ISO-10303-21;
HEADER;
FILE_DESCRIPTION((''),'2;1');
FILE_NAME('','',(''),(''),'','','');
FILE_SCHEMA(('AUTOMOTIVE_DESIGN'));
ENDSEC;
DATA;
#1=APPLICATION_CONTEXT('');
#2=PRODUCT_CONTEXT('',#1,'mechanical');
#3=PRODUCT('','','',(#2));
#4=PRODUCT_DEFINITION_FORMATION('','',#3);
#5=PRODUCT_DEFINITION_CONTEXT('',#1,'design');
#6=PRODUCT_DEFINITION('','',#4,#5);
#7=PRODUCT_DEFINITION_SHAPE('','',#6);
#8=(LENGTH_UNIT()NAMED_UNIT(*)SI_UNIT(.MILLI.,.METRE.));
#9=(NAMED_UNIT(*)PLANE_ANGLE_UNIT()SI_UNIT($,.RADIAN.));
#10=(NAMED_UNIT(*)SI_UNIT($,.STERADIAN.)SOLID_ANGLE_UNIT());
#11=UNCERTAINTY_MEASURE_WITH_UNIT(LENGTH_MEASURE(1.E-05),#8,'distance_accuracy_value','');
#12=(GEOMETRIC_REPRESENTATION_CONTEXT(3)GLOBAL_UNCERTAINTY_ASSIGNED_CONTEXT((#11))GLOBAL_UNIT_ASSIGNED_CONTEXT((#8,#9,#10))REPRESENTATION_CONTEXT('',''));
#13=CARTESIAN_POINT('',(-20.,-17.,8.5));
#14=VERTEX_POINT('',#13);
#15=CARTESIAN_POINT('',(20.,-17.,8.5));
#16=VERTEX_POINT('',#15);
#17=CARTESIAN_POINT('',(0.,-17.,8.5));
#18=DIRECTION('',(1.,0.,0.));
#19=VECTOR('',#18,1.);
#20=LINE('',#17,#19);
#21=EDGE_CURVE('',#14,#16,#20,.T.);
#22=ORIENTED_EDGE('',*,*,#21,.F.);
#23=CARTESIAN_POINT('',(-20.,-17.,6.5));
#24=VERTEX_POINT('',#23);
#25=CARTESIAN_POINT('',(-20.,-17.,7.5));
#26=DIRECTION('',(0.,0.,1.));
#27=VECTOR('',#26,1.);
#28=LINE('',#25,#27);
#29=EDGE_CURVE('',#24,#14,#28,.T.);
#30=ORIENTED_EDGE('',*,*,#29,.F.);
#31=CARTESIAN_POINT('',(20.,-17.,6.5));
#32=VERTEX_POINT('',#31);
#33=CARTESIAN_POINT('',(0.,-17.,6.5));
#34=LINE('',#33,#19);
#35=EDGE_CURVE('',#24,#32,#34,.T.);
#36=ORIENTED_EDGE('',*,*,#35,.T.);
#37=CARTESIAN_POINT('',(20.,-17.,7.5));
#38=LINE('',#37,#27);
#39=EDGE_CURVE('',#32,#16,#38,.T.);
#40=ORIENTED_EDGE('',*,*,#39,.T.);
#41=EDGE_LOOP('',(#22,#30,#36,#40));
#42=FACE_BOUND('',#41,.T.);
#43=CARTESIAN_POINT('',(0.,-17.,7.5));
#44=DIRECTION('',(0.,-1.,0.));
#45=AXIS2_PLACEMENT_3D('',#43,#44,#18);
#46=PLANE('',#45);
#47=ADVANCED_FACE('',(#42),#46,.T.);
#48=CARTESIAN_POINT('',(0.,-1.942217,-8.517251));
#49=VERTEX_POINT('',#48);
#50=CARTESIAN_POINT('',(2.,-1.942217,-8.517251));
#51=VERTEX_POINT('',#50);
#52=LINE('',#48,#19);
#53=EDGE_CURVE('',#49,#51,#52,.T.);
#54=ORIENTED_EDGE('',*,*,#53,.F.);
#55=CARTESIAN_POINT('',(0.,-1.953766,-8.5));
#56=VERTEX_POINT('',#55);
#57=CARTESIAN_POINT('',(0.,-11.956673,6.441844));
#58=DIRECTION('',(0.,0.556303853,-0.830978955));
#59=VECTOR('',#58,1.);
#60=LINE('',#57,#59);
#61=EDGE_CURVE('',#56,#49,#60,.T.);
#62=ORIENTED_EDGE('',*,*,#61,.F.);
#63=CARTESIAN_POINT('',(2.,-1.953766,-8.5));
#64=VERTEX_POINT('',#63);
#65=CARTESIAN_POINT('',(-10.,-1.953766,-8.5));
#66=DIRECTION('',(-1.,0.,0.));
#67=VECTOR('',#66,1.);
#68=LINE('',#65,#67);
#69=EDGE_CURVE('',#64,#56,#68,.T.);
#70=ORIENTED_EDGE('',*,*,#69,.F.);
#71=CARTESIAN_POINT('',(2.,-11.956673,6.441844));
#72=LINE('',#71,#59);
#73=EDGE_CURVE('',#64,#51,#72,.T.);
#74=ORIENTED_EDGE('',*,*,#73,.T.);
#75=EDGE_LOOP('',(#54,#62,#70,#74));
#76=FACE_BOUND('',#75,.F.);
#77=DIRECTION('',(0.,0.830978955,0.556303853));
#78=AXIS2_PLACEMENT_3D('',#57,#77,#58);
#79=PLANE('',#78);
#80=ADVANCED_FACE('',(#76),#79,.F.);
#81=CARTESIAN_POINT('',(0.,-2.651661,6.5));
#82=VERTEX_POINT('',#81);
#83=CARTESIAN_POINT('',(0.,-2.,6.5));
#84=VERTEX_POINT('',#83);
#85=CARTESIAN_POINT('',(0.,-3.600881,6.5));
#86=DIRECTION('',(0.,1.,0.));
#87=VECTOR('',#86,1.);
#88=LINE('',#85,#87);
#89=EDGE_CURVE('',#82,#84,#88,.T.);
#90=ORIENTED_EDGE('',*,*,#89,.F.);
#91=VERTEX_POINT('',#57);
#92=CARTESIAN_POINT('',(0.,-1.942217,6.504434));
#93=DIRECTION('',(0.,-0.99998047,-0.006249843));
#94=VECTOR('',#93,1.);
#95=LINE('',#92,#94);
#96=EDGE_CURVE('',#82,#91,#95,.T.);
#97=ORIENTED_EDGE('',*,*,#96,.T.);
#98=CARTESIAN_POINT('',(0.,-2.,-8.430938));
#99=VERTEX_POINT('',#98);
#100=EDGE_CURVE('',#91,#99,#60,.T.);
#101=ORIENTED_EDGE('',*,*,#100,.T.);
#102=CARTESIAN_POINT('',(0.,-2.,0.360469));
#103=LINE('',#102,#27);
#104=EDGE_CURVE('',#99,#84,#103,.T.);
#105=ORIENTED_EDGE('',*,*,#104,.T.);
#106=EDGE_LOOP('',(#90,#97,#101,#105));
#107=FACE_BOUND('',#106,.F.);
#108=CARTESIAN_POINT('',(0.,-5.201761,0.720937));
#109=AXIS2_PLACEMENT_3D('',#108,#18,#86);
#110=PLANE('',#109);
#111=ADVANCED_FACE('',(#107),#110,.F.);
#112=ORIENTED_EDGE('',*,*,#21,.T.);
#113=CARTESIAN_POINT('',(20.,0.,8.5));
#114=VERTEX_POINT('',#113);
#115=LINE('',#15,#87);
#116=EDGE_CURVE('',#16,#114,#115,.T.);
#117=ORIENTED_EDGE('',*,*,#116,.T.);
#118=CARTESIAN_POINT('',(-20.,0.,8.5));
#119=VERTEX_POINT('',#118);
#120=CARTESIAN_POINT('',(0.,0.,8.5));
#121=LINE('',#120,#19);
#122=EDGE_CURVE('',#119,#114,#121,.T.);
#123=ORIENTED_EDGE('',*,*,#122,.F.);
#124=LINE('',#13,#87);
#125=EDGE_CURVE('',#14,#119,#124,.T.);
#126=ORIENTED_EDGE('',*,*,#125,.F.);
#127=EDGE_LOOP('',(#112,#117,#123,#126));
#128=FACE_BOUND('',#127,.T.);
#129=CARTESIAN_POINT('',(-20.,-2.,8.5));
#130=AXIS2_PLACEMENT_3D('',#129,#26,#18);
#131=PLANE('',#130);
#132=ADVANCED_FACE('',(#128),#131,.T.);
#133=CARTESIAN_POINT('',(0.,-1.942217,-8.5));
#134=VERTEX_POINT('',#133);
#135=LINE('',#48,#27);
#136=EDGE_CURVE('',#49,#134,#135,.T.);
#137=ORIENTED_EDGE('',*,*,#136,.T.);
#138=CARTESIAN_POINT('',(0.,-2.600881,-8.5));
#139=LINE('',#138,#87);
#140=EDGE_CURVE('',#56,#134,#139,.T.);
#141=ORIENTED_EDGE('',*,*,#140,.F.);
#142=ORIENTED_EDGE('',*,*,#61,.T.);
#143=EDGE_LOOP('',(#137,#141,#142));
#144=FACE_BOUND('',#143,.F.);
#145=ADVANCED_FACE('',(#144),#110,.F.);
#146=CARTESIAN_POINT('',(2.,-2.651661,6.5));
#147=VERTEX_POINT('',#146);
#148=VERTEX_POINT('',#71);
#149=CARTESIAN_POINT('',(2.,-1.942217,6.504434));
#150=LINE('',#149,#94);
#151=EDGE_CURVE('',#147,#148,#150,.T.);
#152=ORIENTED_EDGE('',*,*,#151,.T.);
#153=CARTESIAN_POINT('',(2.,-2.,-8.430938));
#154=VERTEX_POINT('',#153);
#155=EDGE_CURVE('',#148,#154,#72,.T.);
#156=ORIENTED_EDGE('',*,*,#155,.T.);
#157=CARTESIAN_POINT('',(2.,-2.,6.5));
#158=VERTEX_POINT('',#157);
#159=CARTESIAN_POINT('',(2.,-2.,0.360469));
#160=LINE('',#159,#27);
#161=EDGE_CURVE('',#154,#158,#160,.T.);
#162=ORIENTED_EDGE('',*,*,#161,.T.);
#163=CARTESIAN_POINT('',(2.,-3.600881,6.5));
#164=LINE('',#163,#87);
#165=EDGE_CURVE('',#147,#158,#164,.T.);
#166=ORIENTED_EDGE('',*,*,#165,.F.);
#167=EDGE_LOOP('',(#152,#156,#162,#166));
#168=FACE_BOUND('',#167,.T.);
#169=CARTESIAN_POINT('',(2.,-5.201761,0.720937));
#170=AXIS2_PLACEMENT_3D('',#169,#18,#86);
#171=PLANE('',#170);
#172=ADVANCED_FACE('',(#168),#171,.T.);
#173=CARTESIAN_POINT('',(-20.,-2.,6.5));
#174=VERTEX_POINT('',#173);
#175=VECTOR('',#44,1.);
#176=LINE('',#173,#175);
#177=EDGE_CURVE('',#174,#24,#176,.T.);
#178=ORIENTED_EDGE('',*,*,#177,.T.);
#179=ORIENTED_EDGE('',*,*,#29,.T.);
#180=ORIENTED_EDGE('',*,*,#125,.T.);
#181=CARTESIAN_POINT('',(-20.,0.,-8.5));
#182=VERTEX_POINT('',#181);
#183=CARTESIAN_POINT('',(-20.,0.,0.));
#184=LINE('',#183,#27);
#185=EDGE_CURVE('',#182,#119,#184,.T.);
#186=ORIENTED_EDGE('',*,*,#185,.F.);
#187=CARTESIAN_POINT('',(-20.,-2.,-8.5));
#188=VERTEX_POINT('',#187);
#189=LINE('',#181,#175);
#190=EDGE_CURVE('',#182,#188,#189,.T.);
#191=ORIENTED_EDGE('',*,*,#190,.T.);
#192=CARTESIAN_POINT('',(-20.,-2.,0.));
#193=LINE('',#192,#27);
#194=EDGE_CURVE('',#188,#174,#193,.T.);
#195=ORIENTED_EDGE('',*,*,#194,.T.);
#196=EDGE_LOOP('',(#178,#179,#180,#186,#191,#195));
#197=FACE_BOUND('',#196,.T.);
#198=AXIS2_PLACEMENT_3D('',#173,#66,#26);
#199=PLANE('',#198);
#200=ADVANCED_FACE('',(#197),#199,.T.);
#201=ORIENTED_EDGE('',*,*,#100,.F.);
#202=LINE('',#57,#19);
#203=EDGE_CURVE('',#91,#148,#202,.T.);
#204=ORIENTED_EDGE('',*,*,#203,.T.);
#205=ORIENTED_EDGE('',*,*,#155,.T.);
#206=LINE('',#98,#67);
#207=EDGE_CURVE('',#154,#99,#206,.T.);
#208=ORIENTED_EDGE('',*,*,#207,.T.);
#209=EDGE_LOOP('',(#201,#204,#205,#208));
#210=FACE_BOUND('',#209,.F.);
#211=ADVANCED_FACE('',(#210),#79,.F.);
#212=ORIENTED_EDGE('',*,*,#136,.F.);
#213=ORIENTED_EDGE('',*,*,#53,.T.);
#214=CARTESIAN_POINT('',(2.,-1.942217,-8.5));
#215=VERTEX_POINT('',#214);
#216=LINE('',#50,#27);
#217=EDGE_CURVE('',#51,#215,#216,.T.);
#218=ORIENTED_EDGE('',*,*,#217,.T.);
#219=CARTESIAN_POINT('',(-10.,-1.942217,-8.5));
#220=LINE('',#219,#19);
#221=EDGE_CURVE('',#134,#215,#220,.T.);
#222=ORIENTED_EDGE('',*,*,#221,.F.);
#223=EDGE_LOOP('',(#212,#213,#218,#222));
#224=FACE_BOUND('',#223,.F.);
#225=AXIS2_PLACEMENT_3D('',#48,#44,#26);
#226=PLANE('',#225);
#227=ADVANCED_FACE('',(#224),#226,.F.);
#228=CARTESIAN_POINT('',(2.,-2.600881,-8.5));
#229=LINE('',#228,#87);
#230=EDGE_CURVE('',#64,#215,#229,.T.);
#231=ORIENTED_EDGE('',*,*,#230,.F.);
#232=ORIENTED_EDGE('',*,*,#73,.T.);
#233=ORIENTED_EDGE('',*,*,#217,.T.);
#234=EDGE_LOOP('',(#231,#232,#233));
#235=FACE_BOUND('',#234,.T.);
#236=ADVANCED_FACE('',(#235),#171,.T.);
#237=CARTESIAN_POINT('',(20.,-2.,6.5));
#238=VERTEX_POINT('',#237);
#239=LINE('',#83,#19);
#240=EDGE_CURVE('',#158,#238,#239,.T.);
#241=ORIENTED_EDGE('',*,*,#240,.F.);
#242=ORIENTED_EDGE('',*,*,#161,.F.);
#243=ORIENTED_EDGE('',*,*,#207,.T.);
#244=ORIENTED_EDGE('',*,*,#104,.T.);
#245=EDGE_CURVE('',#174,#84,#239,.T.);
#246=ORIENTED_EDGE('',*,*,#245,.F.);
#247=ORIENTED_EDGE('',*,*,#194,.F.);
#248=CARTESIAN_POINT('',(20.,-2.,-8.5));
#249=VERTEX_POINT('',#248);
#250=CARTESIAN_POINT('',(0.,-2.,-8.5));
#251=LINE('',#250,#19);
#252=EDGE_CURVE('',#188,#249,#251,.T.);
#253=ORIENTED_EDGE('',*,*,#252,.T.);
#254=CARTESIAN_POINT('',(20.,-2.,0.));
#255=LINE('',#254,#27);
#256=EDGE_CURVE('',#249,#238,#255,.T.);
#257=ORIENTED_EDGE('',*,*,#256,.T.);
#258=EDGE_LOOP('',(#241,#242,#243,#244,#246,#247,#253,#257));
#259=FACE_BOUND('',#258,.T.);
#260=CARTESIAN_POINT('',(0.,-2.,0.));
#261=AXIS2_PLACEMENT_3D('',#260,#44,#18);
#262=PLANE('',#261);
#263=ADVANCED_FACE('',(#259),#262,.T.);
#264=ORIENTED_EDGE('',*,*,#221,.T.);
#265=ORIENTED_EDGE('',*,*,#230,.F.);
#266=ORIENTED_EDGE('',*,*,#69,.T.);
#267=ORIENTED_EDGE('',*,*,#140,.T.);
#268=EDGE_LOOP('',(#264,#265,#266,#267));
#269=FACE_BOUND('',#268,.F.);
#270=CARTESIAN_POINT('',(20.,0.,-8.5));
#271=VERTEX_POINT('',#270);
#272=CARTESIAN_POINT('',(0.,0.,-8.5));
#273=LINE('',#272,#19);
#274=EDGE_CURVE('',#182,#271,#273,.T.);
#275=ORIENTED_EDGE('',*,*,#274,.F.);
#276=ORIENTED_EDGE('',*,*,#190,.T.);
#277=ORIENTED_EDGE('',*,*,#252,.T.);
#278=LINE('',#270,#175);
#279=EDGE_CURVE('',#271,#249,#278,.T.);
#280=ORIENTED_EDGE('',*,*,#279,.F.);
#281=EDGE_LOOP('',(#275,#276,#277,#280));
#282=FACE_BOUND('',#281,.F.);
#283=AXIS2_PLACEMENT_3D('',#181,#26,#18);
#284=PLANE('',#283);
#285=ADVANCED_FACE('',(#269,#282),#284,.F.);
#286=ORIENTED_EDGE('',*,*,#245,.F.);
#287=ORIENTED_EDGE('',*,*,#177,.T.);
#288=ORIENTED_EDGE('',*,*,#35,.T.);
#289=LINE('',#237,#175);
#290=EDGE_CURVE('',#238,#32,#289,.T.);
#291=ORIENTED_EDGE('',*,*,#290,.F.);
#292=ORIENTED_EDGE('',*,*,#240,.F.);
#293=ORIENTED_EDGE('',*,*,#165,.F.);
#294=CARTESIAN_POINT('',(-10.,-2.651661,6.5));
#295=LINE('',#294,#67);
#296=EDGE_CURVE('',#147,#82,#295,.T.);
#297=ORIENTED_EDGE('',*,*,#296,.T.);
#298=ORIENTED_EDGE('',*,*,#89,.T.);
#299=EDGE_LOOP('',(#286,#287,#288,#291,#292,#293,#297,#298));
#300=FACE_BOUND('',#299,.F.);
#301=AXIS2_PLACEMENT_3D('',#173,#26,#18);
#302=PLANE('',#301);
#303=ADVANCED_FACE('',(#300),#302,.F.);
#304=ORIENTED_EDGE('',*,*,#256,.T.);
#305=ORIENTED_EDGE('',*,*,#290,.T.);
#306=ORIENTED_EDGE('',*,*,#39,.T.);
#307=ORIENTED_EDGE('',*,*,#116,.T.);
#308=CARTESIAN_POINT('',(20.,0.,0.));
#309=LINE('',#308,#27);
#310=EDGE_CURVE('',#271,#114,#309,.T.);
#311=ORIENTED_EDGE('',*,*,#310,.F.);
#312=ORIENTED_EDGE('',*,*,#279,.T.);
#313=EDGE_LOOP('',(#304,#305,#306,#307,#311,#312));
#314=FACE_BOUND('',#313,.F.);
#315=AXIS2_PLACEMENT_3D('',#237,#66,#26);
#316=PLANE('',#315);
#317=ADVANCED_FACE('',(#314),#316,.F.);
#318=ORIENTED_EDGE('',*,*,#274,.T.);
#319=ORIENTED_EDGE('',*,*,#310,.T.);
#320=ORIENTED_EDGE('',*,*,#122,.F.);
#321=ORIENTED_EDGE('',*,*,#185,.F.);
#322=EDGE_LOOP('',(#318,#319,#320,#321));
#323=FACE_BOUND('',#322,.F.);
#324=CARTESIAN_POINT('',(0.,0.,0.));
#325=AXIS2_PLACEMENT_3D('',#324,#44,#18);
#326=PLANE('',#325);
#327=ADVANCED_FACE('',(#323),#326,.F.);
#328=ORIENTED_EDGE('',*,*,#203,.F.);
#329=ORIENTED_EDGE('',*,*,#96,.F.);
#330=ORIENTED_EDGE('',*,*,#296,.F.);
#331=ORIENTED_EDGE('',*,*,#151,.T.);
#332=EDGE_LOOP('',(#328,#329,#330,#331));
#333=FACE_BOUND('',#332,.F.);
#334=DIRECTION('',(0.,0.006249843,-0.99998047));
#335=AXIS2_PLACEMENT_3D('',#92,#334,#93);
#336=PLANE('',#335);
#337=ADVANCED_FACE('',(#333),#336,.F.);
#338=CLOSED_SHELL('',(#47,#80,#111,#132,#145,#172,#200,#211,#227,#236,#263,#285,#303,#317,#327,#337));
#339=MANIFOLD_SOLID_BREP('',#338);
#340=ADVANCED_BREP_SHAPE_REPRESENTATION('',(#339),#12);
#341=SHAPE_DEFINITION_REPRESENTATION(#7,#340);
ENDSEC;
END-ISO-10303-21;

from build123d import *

# Parameters (mm, degrees)
F0_W     = 40
F0_H     = 17
F1_DEPTH = 2
F2_W     = 40
F2_H     = 2
F3_DEPTH = 15
F5_DEPTH = 2


with BuildPart() as f1:
    # F0 (on Front) → F1 (new body)
    with BuildSketch(Plane.XZ):
        Rectangle(F0_W, F0_H)
    extrude(amount=F1_DEPTH)

    # F2 (on face) → F3 (join)
    with BuildSketch(Plane.XZ.offset(2)):
        with Locations((0, 7.5)):
            Rectangle(F2_W, F2_H)
    extrude(amount=F3_DEPTH)

    # F4 (on Right) → F5 (join)
    with BuildSketch(Plane.YZ):
        Polygon((-1.942217, 6.504434), (-11.956673, 6.441844), (-1.942217, -8.517251), align=None)
    extrude(amount=F5_DEPTH)


solid = f1.part
